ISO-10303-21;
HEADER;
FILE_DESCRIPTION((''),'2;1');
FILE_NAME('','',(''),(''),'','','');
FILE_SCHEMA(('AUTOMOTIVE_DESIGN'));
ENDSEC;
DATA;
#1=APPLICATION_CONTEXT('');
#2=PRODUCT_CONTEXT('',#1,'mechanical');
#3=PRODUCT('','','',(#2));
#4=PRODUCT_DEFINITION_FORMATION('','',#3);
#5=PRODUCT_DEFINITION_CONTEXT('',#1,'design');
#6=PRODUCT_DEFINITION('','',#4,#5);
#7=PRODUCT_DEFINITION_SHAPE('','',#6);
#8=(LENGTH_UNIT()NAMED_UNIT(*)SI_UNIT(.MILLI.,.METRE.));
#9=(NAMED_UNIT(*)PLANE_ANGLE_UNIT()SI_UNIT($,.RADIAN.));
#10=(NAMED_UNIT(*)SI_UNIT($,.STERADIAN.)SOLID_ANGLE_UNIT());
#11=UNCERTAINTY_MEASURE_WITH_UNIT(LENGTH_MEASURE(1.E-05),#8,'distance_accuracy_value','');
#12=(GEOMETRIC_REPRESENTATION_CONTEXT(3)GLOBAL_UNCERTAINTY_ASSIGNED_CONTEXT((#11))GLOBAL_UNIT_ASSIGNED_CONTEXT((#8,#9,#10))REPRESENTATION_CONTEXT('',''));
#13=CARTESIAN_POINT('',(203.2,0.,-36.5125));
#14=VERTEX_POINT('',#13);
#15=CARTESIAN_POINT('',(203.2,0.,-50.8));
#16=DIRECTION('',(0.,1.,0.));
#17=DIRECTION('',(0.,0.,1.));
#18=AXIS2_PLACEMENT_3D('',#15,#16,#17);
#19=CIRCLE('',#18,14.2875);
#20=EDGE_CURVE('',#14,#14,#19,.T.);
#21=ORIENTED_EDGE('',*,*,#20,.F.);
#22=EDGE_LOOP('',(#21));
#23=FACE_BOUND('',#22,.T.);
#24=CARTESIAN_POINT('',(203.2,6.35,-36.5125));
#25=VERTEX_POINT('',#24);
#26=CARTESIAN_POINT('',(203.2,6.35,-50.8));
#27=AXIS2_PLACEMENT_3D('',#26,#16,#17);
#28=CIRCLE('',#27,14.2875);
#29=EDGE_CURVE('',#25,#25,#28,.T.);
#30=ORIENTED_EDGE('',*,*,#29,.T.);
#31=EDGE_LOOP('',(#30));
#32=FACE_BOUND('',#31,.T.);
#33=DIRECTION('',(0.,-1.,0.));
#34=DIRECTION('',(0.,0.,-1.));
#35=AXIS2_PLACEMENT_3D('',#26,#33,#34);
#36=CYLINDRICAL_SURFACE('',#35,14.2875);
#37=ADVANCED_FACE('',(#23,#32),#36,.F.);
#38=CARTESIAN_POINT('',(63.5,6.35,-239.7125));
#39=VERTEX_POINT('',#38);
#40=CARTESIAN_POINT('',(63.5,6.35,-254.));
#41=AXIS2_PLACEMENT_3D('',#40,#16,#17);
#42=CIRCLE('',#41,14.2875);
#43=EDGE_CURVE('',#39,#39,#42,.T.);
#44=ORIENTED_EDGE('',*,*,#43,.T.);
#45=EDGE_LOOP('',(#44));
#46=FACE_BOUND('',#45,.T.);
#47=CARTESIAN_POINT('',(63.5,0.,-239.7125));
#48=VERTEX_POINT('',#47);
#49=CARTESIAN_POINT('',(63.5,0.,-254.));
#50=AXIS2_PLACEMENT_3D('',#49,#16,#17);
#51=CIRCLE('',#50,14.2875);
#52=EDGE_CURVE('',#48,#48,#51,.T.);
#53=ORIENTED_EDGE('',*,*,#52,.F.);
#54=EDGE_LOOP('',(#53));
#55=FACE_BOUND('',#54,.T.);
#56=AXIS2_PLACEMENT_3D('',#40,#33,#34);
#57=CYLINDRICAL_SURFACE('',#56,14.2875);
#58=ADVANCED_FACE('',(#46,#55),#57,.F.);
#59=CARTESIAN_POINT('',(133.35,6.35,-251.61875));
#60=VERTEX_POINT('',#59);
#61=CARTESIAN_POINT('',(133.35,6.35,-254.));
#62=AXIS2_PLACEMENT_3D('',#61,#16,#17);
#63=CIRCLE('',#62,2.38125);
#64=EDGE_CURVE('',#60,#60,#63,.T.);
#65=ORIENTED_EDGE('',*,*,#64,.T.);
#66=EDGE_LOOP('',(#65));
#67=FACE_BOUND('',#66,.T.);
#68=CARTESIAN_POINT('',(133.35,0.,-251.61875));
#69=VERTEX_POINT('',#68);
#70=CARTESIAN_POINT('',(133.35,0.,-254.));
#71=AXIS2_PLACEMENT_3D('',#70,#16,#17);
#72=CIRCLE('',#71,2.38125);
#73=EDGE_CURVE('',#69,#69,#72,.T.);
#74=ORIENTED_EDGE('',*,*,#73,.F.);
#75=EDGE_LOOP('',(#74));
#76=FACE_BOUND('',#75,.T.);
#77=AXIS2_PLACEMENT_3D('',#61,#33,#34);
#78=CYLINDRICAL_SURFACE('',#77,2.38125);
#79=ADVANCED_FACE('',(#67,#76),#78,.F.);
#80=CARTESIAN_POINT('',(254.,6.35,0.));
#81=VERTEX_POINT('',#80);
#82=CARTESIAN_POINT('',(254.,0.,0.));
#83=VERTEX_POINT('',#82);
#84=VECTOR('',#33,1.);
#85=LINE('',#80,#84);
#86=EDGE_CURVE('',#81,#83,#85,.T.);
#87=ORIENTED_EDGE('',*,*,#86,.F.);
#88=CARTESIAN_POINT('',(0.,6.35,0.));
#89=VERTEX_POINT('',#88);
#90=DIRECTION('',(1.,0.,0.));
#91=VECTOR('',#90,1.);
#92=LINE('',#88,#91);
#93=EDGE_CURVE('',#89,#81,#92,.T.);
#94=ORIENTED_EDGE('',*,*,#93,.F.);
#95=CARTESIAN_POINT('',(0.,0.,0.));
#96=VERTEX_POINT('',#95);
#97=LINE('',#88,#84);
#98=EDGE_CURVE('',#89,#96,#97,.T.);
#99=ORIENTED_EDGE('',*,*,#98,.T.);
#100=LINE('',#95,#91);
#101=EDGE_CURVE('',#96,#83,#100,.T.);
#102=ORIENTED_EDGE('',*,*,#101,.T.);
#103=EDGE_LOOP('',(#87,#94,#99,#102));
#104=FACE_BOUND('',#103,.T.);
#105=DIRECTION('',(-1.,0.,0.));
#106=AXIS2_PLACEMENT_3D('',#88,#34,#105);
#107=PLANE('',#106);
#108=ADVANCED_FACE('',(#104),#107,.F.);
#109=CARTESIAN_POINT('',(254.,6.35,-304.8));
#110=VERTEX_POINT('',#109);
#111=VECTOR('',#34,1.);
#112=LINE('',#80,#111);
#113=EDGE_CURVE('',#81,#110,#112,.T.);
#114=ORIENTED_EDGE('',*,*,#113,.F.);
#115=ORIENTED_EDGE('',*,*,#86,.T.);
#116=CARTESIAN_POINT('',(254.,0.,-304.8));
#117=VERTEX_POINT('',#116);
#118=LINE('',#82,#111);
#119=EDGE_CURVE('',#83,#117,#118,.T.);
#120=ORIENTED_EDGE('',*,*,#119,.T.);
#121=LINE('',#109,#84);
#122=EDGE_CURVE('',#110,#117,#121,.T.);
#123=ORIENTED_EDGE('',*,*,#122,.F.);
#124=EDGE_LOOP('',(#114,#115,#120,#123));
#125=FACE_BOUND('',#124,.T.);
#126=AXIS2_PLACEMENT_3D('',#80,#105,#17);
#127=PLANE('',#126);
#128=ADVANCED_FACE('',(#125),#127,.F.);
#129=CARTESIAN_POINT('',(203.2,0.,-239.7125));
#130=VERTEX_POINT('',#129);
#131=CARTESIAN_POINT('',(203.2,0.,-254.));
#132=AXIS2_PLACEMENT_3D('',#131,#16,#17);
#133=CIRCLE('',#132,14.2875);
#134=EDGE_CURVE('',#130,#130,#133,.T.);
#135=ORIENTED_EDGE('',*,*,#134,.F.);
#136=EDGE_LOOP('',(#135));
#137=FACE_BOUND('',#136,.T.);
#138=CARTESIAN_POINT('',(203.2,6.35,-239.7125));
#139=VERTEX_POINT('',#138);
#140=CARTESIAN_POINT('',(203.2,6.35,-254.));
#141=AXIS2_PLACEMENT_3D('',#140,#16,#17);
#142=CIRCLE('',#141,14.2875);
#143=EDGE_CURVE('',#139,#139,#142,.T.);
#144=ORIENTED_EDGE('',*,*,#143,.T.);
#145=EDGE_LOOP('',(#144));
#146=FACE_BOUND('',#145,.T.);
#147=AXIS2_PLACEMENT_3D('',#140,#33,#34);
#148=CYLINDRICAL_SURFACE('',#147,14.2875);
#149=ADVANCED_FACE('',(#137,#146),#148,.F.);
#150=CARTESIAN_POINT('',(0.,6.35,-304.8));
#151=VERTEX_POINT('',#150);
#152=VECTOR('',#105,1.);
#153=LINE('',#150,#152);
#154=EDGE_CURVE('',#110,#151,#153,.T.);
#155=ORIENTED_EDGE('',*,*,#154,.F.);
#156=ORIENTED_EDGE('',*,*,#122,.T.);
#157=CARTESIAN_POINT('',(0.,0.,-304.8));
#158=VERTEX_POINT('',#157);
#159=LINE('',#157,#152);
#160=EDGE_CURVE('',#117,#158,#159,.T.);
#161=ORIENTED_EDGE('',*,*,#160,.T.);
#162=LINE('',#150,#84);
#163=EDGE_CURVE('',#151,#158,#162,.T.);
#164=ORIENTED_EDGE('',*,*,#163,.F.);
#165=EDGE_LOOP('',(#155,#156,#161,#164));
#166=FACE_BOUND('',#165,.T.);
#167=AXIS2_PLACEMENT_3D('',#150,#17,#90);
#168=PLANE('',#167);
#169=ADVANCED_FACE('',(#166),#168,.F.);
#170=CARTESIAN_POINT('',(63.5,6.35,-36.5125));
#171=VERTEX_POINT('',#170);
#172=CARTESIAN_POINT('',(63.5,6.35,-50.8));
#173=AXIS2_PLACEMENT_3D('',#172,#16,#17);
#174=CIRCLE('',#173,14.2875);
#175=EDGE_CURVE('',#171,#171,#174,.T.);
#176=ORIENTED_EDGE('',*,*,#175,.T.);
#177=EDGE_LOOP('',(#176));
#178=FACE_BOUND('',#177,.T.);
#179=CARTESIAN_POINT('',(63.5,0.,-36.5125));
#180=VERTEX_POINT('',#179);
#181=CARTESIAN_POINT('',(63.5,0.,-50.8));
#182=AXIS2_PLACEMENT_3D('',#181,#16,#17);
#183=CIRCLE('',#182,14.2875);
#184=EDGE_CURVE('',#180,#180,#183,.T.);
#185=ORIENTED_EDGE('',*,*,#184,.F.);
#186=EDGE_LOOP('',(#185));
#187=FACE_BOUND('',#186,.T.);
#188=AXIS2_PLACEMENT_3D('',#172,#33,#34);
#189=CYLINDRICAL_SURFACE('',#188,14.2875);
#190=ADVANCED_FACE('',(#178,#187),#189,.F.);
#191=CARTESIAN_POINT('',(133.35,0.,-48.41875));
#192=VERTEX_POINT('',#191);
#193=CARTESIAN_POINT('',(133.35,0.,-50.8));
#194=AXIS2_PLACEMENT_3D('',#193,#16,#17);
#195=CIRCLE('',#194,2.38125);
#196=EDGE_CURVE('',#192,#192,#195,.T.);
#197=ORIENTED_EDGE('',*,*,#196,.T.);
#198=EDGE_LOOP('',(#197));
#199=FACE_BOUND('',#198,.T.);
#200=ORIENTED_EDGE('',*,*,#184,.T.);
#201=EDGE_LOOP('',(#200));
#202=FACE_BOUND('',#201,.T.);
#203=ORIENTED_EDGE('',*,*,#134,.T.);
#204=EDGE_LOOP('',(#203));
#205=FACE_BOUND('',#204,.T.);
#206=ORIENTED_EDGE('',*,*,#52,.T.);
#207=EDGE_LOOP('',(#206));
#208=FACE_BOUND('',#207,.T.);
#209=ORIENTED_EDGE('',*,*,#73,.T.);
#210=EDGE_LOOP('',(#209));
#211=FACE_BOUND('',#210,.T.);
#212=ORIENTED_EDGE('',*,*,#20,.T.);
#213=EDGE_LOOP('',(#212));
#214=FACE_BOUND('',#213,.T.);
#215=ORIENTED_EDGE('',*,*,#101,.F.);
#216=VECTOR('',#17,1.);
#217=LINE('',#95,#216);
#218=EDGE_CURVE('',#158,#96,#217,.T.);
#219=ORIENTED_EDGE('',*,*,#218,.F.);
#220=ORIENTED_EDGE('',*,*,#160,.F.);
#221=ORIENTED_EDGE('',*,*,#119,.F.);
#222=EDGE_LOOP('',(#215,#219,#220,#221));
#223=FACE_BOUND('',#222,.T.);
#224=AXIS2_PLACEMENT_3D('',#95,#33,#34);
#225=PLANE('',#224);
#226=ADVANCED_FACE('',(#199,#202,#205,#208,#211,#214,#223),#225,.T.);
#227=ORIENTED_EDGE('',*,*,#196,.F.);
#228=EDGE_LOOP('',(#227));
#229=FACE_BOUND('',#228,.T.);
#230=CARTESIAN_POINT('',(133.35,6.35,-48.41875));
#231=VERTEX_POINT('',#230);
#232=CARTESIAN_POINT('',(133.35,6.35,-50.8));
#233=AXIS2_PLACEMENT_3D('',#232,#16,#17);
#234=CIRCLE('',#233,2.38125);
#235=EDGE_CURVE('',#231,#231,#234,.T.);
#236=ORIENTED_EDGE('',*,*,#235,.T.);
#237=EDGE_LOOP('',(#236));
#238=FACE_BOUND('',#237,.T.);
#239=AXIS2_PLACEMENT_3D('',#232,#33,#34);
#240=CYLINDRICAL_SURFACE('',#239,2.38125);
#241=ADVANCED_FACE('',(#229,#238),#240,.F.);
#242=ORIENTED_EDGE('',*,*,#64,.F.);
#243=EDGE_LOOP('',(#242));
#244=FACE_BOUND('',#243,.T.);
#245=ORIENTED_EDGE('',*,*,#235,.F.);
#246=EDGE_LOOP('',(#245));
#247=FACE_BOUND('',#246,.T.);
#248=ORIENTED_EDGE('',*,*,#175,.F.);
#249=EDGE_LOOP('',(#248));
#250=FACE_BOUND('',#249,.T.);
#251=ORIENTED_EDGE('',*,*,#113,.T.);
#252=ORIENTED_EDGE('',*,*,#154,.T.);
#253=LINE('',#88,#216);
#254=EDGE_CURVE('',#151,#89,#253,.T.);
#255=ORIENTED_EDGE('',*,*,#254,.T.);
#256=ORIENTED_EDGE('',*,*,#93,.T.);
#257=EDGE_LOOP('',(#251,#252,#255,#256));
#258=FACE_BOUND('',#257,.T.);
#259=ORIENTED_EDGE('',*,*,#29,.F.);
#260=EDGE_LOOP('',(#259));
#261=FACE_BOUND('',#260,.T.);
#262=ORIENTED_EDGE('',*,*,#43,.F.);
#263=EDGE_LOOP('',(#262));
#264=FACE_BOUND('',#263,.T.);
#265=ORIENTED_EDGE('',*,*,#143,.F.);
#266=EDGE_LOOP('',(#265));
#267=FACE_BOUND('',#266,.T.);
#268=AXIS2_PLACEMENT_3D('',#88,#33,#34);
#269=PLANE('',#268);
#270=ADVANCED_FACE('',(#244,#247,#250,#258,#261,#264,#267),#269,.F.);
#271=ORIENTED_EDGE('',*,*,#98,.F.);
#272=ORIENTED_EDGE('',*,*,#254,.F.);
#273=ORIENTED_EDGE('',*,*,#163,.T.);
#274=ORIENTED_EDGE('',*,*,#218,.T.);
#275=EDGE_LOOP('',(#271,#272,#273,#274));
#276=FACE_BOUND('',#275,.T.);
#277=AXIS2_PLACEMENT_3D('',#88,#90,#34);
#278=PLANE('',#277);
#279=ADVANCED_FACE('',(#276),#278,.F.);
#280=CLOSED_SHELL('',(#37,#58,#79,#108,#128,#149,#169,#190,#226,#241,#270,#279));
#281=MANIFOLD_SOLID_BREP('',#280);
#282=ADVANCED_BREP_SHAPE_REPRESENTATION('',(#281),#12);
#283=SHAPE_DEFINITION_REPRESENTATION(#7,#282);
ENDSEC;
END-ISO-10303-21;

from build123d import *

# Parameters (mm, degrees)
SKETCH1_W           = 254
SKETCH1_H           = 304.8
SKETCH1_R           = 14.2875
SKETCH1_R_2         = 2.38125
BOSS_EXTRUDE1_DEPTH = 6.35


with BuildPart() as part:
    # Sketch1 → Boss-Extrude1 (new body)
    with BuildSketch(Plane(origin=(0, 0, 0), x_dir=(1, 0, 0), z_dir=(0, 1, 0))):
        with Locations((127, 152.4)):
            Rectangle(SKETCH1_W, SKETCH1_H)
        with Locations((63.5, 50.8)):
            Circle(SKETCH1_R, mode=Mode.SUBTRACT)
        with Locations((203.2, 50.8)):
            Circle(SKETCH1_R, mode=Mode.SUBTRACT)
        with Locations((63.5, 254)):
            Circle(SKETCH1_R, mode=Mode.SUBTRACT)
        with Locations((203.2, 254)):
            Circle(SKETCH1_R, mode=Mode.SUBTRACT)
        with Locations((133.35, 254)):
            Circle(SKETCH1_R_2, mode=Mode.SUBTRACT)
        with Locations((133.35, 50.8)):
            Circle(SKETCH1_R_2, mode=Mode.SUBTRACT)
    extrude(amount=BOSS_EXTRUDE1_DEPTH)


solid = part.part
